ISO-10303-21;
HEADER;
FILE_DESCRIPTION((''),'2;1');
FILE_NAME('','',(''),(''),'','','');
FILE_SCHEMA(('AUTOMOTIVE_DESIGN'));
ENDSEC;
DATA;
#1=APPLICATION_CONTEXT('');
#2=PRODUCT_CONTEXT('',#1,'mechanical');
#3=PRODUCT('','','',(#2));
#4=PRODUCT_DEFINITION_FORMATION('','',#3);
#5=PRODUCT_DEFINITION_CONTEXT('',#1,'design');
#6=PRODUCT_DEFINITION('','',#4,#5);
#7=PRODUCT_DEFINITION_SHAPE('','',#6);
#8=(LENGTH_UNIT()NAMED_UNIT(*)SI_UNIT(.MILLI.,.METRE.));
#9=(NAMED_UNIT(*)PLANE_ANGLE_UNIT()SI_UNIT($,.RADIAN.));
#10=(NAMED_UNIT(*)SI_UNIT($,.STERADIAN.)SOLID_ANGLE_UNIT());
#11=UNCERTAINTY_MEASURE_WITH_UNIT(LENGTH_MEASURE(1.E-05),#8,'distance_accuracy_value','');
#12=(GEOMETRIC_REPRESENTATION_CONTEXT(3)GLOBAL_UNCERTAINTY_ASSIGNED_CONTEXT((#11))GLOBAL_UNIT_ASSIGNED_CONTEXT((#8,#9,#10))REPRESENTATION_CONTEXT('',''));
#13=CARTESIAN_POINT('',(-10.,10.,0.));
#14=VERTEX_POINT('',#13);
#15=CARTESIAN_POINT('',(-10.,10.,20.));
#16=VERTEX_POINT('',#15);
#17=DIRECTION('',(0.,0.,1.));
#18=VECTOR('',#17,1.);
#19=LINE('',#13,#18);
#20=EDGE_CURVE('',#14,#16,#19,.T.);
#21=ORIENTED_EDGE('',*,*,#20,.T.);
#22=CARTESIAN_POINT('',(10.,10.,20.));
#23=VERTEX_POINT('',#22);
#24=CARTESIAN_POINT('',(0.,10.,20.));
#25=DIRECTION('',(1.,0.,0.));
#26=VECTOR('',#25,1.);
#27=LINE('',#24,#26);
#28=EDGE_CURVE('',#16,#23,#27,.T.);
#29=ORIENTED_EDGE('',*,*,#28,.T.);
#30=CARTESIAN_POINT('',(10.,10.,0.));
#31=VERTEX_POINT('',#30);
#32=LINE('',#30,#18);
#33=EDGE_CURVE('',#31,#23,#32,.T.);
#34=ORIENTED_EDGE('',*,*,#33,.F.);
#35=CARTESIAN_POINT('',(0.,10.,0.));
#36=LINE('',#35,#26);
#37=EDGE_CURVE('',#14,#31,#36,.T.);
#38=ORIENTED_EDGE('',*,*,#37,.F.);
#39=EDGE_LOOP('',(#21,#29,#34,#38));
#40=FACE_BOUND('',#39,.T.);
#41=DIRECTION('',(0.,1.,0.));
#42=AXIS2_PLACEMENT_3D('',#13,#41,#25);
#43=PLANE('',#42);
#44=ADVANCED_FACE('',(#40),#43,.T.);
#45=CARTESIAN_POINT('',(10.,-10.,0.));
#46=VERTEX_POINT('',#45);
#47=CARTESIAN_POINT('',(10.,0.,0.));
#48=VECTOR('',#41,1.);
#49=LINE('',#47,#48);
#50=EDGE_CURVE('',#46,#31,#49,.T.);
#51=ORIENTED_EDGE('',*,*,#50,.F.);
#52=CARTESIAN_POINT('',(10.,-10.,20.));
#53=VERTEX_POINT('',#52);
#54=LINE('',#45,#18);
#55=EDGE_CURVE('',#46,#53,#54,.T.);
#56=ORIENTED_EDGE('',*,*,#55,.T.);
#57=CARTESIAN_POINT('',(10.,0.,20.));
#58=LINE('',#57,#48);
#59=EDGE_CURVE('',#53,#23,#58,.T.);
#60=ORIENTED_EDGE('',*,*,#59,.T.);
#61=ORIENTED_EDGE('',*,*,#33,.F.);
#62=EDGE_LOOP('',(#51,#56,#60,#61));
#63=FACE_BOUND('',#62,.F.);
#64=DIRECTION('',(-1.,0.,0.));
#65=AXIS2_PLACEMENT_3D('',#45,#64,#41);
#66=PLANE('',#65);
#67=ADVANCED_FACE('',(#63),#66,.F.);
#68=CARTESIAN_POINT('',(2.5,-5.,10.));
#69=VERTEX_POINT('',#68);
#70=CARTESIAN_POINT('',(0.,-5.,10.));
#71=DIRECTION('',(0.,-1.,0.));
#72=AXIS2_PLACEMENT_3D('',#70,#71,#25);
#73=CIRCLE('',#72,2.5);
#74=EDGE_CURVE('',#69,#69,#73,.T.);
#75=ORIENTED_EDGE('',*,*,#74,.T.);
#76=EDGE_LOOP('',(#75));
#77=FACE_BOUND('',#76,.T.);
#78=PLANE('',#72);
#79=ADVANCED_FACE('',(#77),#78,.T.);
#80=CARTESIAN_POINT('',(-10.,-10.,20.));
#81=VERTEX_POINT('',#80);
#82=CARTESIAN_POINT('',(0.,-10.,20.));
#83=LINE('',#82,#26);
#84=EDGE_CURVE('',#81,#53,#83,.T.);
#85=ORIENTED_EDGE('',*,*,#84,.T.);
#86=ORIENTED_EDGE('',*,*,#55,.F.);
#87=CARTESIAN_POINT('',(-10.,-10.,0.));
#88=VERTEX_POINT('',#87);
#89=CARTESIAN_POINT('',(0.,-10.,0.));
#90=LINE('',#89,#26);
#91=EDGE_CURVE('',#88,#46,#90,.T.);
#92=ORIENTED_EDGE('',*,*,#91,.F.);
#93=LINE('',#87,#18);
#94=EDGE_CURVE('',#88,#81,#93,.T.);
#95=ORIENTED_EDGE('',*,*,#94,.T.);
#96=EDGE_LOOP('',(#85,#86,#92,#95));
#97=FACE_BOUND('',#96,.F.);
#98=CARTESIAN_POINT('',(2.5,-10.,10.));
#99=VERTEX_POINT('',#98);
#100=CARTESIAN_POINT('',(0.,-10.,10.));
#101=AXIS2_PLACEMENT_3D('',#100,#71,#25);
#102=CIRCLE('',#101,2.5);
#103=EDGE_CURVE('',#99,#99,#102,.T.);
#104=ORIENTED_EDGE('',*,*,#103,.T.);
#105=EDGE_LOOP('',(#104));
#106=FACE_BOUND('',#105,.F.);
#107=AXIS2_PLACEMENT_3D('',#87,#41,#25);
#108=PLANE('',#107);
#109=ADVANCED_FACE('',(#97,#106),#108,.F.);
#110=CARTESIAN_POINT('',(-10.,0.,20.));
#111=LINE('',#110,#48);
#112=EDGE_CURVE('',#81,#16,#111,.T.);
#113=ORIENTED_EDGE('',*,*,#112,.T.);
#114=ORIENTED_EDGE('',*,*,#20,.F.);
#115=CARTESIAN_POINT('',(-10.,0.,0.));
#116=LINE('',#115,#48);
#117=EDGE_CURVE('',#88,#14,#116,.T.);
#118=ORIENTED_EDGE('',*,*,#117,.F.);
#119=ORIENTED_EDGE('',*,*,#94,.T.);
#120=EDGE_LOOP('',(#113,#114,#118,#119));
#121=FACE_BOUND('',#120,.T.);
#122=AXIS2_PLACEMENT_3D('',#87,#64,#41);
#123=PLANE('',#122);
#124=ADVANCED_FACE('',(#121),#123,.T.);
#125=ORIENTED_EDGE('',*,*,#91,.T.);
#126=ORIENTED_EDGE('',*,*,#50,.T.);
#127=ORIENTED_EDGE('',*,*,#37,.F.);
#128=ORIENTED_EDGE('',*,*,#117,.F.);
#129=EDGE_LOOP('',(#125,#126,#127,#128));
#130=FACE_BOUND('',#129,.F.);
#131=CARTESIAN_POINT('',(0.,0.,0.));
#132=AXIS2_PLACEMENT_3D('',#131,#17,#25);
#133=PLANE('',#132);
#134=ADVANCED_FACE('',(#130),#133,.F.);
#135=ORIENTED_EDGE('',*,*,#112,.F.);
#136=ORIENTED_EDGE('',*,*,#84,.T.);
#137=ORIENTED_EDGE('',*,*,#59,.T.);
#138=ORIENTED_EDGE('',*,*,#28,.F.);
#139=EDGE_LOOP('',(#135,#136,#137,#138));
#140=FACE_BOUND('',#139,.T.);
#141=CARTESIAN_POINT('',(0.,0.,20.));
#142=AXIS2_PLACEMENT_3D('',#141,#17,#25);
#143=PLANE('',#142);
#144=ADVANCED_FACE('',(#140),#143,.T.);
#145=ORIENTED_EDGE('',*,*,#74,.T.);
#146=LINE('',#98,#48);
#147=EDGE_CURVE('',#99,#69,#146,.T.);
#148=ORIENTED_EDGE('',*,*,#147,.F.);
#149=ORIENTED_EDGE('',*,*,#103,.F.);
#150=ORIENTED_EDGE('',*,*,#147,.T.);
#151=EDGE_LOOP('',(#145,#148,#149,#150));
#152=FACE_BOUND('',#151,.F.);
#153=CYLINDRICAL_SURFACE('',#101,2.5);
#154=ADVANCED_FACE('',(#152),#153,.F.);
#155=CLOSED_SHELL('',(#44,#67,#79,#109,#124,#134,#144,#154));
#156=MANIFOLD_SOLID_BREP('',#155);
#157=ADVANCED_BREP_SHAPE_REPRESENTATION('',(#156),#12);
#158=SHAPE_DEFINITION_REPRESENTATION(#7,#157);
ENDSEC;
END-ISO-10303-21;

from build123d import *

# Parameters (mm, degrees)
F0_W     = 20
F0_H     = 20
F1_DEPTH = 20
F2_R     = 2.5
F3_DEPTH = 5


with BuildPart() as f1:
    # F0 (on Top) → F1 (new body)
    with BuildSketch(Plane.XY):
        Rectangle(F0_W, F0_H)
    extrude(amount=F1_DEPTH)

    # F2 (on face) → F3 (cut)
    with BuildSketch(Plane.XZ.offset(10)):
        with Locations((0, 10)):
            Circle(F2_R)
    extrude(amount=-F3_DEPTH, mode=Mode.SUBTRACT)


solid = f1.part
